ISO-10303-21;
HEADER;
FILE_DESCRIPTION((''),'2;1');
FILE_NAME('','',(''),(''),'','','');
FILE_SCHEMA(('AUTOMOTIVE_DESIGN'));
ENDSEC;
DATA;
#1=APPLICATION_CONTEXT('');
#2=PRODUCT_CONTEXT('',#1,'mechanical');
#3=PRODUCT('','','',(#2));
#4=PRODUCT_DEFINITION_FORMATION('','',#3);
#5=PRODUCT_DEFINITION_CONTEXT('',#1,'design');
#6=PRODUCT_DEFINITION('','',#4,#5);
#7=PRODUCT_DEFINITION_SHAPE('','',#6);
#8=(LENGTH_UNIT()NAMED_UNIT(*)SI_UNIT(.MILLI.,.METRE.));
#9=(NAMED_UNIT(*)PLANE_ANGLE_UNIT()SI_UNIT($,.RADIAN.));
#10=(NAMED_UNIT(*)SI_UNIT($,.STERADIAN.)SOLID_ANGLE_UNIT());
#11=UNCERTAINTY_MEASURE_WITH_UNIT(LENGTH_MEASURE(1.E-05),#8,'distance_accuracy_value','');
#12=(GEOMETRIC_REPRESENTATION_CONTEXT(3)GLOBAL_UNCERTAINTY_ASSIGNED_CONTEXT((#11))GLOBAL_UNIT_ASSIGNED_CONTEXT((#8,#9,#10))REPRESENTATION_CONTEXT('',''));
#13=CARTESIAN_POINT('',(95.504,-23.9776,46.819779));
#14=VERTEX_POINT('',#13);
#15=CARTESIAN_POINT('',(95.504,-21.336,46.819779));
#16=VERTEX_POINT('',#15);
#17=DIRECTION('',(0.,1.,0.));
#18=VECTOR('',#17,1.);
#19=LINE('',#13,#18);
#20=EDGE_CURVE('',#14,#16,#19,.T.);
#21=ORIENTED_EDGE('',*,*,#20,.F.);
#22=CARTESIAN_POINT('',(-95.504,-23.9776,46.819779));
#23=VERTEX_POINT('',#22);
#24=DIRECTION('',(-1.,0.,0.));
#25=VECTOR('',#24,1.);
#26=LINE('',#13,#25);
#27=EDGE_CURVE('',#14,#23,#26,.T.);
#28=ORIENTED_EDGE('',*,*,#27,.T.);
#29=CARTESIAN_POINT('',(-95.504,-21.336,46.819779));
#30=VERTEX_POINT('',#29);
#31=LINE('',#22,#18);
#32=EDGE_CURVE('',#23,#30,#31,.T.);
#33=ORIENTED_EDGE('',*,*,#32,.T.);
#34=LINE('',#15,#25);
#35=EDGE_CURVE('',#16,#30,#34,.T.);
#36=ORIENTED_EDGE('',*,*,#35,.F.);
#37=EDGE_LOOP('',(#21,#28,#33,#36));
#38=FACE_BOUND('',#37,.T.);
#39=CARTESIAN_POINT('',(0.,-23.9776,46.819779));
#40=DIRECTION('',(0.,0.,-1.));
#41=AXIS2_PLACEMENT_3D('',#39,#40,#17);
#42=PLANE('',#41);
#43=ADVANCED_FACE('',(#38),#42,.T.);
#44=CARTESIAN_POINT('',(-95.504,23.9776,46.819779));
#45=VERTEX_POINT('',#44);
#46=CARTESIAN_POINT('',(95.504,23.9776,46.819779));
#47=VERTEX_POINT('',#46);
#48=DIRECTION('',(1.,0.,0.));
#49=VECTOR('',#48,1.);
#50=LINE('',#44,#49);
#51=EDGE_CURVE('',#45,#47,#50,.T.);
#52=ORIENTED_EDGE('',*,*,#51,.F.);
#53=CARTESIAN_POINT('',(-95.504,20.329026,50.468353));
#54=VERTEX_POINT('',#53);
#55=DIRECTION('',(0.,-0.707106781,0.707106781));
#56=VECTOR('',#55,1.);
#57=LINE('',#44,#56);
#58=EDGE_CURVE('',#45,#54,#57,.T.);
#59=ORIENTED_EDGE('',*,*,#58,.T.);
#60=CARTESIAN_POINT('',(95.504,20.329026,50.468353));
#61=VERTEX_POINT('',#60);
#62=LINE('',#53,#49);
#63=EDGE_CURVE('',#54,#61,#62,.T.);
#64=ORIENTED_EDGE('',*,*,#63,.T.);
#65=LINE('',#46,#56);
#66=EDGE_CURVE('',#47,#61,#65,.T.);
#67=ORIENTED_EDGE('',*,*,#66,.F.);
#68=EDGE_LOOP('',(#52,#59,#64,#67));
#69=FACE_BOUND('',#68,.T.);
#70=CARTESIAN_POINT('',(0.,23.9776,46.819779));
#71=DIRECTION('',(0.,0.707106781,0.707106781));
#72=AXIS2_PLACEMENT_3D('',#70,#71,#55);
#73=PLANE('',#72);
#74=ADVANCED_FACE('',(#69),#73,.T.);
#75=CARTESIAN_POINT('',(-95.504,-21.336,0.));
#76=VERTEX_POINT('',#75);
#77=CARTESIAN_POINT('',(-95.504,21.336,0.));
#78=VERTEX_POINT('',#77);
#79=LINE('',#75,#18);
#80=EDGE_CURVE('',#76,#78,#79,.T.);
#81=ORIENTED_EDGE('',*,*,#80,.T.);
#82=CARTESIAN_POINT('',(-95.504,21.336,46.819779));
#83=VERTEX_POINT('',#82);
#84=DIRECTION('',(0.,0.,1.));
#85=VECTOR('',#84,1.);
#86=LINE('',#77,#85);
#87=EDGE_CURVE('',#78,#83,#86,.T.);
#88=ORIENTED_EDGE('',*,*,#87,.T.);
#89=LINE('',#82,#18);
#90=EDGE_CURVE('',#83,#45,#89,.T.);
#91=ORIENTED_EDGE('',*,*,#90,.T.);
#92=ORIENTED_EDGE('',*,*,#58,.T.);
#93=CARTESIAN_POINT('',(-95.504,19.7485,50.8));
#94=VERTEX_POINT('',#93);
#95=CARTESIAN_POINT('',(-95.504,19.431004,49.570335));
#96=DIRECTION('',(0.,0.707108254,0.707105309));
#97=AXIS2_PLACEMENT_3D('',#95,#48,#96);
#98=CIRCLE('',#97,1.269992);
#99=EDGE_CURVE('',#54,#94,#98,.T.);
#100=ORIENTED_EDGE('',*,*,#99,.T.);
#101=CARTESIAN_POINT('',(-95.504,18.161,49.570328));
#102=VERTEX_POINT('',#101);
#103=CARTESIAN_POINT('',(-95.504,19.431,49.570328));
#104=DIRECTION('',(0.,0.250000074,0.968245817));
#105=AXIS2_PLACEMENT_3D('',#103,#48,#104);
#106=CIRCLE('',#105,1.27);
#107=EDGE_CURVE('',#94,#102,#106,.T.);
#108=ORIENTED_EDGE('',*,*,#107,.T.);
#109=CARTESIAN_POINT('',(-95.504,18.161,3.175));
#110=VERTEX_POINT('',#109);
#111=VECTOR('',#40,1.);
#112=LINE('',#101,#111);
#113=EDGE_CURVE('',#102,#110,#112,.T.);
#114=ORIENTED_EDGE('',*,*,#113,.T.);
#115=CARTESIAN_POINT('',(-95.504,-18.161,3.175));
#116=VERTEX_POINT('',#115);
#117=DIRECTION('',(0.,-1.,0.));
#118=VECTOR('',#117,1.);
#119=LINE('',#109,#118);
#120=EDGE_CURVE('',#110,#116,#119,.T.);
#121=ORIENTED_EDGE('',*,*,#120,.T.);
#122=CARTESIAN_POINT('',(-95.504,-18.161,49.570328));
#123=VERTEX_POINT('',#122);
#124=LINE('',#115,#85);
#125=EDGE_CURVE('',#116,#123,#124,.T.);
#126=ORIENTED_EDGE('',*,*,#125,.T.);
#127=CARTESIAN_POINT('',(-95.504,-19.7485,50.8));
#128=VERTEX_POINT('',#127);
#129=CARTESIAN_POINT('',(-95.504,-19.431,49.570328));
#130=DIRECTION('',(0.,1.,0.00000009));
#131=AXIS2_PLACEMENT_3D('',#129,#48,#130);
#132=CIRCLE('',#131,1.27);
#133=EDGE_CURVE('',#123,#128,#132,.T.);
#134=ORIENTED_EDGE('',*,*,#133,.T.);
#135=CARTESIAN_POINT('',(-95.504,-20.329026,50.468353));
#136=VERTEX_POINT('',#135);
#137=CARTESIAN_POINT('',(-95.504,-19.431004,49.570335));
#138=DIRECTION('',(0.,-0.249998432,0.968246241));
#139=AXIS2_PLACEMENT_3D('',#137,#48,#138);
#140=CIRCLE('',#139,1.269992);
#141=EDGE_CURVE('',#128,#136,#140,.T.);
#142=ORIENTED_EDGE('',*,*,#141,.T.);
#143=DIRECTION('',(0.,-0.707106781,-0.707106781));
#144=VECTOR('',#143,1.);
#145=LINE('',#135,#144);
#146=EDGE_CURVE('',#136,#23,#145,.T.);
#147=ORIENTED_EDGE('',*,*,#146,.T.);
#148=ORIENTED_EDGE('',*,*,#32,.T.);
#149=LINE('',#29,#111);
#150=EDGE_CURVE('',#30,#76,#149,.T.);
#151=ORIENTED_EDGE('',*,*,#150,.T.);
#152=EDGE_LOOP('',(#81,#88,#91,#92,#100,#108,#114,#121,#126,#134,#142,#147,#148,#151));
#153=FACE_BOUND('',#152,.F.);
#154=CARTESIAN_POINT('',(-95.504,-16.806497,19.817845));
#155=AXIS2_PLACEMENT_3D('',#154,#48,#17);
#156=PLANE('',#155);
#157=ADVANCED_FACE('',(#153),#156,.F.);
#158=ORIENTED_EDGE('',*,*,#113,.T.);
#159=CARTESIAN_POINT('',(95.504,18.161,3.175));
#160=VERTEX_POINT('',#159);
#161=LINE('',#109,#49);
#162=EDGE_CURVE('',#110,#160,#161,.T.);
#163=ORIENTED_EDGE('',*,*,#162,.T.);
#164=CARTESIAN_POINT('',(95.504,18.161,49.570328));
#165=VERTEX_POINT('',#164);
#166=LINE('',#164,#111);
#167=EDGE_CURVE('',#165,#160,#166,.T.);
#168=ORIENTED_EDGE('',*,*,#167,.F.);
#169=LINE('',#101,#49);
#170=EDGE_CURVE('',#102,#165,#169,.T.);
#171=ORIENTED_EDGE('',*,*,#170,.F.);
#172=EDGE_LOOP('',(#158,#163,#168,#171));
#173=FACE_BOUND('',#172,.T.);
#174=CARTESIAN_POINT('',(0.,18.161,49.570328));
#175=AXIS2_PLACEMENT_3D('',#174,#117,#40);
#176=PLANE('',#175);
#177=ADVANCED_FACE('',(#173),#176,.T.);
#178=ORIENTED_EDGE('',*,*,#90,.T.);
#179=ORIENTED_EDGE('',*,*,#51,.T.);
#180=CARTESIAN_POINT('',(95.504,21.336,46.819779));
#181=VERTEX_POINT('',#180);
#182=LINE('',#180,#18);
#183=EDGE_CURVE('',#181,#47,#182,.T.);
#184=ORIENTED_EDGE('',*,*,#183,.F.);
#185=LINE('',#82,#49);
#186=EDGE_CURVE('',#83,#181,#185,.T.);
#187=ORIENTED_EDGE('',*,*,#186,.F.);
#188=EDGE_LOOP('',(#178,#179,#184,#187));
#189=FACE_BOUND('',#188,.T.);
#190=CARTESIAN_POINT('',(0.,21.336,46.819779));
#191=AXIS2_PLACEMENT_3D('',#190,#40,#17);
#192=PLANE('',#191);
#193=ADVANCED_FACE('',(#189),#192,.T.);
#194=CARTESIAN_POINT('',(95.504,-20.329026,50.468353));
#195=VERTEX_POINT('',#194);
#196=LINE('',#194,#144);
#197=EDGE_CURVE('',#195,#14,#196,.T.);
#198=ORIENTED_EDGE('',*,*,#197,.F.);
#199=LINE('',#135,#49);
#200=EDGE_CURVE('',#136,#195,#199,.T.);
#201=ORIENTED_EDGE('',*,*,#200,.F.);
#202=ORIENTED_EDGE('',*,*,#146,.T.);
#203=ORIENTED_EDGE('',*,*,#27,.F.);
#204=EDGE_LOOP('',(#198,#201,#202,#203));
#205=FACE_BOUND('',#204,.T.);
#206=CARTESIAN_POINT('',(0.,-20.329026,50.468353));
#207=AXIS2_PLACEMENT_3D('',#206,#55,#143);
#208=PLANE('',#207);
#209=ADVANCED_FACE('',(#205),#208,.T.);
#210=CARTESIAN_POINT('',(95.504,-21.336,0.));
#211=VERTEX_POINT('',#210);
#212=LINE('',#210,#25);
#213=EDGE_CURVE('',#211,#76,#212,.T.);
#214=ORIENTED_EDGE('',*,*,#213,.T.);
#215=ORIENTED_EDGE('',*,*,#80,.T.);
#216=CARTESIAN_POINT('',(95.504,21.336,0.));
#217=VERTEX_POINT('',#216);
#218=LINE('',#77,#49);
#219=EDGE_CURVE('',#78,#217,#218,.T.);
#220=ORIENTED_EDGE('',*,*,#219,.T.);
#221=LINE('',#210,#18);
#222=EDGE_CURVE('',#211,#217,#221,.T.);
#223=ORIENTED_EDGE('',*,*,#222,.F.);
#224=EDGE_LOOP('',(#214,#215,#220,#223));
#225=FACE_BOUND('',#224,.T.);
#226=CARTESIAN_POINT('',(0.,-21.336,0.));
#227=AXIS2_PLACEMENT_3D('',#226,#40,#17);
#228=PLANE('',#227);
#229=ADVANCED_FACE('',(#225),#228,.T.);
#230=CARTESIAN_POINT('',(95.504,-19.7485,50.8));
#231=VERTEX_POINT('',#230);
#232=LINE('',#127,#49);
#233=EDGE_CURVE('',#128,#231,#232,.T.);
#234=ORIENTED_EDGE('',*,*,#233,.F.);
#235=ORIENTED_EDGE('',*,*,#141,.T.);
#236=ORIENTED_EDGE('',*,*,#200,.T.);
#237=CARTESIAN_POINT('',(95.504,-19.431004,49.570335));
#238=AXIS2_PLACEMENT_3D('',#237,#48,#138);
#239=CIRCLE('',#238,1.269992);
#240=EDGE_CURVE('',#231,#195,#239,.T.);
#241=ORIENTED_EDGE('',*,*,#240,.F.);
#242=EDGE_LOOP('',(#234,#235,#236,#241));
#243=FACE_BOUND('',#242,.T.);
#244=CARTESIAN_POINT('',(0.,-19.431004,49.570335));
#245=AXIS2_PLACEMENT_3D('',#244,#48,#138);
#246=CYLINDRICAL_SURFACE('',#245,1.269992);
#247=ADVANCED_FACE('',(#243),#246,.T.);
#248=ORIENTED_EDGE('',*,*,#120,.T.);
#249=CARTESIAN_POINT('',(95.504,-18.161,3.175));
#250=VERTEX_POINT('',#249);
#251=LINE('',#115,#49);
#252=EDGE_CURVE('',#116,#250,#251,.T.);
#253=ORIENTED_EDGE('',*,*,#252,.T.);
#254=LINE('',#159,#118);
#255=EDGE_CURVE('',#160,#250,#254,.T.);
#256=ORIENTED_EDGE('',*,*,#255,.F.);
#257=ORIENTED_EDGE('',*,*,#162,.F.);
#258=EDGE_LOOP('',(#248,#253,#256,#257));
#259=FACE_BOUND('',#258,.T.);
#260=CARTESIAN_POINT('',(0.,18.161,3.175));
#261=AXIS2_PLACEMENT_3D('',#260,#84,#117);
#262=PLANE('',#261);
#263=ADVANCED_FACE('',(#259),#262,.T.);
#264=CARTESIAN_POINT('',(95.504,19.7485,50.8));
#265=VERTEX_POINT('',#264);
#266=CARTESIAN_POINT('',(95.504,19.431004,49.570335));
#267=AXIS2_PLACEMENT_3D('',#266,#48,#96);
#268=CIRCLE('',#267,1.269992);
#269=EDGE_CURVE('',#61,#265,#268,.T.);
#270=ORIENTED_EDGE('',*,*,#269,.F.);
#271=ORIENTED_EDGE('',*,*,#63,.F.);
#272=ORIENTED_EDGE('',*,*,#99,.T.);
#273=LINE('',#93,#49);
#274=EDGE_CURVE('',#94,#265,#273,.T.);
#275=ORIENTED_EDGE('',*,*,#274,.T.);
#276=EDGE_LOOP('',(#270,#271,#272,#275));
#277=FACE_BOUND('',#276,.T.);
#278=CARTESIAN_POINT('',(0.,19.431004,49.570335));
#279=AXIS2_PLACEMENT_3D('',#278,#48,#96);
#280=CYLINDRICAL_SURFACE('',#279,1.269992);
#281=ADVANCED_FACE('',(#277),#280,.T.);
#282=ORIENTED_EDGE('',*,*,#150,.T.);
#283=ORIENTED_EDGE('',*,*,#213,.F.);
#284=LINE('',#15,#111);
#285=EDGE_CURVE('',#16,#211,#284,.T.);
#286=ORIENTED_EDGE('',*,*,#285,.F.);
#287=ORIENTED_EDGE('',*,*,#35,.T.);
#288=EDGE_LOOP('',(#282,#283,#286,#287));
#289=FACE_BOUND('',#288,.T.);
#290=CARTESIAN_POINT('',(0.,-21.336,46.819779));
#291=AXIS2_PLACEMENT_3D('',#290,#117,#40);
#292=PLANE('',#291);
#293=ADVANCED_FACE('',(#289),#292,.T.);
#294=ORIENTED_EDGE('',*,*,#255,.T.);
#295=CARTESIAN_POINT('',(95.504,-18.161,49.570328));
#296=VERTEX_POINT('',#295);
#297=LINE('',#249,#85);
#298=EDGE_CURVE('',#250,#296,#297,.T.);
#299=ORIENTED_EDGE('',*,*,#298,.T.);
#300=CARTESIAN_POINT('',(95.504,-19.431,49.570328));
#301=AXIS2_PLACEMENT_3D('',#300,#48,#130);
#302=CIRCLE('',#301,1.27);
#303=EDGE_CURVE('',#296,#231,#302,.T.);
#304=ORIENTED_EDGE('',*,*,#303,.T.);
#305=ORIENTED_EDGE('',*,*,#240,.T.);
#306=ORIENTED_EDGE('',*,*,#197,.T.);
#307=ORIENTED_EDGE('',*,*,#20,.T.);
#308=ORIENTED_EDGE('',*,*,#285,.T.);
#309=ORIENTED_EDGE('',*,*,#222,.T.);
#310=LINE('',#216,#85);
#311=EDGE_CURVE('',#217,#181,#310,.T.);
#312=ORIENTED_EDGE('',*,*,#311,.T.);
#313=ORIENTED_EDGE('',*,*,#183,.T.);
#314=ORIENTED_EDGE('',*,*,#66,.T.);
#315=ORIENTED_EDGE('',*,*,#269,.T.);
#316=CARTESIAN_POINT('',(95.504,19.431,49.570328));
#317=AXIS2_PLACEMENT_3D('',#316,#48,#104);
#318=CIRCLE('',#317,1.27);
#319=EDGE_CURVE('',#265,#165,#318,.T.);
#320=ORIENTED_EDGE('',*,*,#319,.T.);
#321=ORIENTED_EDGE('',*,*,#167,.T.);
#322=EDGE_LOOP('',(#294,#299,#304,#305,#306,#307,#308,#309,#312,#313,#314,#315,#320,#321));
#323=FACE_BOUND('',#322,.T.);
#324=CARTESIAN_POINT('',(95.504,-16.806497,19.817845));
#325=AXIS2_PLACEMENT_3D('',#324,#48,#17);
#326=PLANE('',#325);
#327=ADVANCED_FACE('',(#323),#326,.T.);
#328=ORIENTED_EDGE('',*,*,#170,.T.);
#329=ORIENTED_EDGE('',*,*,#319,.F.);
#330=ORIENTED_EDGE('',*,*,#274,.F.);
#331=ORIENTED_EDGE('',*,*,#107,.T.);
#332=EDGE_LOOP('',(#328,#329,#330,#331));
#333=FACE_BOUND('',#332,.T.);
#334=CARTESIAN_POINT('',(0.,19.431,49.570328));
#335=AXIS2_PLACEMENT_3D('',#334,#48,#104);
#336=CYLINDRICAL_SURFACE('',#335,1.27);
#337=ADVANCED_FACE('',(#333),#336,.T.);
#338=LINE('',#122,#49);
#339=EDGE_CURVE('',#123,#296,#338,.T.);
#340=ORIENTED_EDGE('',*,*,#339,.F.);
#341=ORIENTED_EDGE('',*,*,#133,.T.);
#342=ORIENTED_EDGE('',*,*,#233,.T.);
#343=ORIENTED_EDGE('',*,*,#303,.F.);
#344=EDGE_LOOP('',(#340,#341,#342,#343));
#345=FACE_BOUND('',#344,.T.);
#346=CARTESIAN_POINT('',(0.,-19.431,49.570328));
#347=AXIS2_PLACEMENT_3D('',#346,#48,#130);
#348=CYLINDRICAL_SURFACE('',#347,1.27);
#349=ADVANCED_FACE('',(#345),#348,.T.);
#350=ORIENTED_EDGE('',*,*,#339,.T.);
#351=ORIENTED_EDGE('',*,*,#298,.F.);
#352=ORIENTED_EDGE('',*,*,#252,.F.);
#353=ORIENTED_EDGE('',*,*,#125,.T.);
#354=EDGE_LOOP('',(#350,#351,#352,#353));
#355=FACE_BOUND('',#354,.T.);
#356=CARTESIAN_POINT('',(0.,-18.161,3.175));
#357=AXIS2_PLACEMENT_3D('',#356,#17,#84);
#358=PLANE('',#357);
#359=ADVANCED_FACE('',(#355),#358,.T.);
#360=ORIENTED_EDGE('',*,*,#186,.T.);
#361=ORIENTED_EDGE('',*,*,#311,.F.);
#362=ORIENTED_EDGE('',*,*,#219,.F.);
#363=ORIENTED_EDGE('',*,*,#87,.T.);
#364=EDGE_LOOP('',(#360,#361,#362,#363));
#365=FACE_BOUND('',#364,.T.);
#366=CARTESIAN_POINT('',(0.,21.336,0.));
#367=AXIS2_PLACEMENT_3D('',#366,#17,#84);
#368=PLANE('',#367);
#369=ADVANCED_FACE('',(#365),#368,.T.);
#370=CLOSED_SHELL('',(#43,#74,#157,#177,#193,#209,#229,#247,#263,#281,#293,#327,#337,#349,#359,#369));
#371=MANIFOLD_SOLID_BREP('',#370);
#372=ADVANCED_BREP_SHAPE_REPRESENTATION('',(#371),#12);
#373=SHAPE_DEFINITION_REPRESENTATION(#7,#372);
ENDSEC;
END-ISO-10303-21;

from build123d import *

# Parameters (mm, degrees)
F1_DEPTH = 95.504


with BuildPart() as f1:
    # F0 (on Right) → F1 (new body, symmetric)
    with BuildSketch(Plane.YZ):
        with BuildLine():
            Line((-21.336, 0), (0, 0))
            Line((0, 0), (0, 3.175))
            Line((0, 3.175), (-18.161, 3.175))
            Line((-18.161, 3.175), (-18.161, 49.570328))
            ThreePointArc((-18.161, 49.570328), (-18.653287, 50.574351), (-19.7485, 50.8))
            ThreePointArc((-19.7485, 50.8), (-20.060979, 50.673064), (-20.329026, 50.468353))
            Line((-20.329026, 50.468353), (-23.9776, 46.819779))
            Line((-23.9776, 46.819779), (-21.336, 46.819779))
            Line((-21.336, 46.819779), (-21.336, 0))
        make_face()
        with BuildLine():
            Line((0, 3.175), (0, 0))
            Line((0, 0), (21.336, 0))
            Line((21.336, 0), (21.336, 46.819779))
            Line((21.336, 46.819779), (23.9776, 46.819779))
            Line((23.9776, 46.819779), (20.329026, 50.468353))
            ThreePointArc((20.329026, 50.468353), (20.060979, 50.673064), (19.7485, 50.8))
            ThreePointArc((19.7485, 50.8), (18.653287, 50.574351), (18.161, 49.570328))
            Line((18.161, 49.570328), (18.161, 3.175))
            Line((18.161, 3.175), (0, 3.175))
        make_face()
    extrude(amount=F1_DEPTH, both=True)


solid = f1.part
